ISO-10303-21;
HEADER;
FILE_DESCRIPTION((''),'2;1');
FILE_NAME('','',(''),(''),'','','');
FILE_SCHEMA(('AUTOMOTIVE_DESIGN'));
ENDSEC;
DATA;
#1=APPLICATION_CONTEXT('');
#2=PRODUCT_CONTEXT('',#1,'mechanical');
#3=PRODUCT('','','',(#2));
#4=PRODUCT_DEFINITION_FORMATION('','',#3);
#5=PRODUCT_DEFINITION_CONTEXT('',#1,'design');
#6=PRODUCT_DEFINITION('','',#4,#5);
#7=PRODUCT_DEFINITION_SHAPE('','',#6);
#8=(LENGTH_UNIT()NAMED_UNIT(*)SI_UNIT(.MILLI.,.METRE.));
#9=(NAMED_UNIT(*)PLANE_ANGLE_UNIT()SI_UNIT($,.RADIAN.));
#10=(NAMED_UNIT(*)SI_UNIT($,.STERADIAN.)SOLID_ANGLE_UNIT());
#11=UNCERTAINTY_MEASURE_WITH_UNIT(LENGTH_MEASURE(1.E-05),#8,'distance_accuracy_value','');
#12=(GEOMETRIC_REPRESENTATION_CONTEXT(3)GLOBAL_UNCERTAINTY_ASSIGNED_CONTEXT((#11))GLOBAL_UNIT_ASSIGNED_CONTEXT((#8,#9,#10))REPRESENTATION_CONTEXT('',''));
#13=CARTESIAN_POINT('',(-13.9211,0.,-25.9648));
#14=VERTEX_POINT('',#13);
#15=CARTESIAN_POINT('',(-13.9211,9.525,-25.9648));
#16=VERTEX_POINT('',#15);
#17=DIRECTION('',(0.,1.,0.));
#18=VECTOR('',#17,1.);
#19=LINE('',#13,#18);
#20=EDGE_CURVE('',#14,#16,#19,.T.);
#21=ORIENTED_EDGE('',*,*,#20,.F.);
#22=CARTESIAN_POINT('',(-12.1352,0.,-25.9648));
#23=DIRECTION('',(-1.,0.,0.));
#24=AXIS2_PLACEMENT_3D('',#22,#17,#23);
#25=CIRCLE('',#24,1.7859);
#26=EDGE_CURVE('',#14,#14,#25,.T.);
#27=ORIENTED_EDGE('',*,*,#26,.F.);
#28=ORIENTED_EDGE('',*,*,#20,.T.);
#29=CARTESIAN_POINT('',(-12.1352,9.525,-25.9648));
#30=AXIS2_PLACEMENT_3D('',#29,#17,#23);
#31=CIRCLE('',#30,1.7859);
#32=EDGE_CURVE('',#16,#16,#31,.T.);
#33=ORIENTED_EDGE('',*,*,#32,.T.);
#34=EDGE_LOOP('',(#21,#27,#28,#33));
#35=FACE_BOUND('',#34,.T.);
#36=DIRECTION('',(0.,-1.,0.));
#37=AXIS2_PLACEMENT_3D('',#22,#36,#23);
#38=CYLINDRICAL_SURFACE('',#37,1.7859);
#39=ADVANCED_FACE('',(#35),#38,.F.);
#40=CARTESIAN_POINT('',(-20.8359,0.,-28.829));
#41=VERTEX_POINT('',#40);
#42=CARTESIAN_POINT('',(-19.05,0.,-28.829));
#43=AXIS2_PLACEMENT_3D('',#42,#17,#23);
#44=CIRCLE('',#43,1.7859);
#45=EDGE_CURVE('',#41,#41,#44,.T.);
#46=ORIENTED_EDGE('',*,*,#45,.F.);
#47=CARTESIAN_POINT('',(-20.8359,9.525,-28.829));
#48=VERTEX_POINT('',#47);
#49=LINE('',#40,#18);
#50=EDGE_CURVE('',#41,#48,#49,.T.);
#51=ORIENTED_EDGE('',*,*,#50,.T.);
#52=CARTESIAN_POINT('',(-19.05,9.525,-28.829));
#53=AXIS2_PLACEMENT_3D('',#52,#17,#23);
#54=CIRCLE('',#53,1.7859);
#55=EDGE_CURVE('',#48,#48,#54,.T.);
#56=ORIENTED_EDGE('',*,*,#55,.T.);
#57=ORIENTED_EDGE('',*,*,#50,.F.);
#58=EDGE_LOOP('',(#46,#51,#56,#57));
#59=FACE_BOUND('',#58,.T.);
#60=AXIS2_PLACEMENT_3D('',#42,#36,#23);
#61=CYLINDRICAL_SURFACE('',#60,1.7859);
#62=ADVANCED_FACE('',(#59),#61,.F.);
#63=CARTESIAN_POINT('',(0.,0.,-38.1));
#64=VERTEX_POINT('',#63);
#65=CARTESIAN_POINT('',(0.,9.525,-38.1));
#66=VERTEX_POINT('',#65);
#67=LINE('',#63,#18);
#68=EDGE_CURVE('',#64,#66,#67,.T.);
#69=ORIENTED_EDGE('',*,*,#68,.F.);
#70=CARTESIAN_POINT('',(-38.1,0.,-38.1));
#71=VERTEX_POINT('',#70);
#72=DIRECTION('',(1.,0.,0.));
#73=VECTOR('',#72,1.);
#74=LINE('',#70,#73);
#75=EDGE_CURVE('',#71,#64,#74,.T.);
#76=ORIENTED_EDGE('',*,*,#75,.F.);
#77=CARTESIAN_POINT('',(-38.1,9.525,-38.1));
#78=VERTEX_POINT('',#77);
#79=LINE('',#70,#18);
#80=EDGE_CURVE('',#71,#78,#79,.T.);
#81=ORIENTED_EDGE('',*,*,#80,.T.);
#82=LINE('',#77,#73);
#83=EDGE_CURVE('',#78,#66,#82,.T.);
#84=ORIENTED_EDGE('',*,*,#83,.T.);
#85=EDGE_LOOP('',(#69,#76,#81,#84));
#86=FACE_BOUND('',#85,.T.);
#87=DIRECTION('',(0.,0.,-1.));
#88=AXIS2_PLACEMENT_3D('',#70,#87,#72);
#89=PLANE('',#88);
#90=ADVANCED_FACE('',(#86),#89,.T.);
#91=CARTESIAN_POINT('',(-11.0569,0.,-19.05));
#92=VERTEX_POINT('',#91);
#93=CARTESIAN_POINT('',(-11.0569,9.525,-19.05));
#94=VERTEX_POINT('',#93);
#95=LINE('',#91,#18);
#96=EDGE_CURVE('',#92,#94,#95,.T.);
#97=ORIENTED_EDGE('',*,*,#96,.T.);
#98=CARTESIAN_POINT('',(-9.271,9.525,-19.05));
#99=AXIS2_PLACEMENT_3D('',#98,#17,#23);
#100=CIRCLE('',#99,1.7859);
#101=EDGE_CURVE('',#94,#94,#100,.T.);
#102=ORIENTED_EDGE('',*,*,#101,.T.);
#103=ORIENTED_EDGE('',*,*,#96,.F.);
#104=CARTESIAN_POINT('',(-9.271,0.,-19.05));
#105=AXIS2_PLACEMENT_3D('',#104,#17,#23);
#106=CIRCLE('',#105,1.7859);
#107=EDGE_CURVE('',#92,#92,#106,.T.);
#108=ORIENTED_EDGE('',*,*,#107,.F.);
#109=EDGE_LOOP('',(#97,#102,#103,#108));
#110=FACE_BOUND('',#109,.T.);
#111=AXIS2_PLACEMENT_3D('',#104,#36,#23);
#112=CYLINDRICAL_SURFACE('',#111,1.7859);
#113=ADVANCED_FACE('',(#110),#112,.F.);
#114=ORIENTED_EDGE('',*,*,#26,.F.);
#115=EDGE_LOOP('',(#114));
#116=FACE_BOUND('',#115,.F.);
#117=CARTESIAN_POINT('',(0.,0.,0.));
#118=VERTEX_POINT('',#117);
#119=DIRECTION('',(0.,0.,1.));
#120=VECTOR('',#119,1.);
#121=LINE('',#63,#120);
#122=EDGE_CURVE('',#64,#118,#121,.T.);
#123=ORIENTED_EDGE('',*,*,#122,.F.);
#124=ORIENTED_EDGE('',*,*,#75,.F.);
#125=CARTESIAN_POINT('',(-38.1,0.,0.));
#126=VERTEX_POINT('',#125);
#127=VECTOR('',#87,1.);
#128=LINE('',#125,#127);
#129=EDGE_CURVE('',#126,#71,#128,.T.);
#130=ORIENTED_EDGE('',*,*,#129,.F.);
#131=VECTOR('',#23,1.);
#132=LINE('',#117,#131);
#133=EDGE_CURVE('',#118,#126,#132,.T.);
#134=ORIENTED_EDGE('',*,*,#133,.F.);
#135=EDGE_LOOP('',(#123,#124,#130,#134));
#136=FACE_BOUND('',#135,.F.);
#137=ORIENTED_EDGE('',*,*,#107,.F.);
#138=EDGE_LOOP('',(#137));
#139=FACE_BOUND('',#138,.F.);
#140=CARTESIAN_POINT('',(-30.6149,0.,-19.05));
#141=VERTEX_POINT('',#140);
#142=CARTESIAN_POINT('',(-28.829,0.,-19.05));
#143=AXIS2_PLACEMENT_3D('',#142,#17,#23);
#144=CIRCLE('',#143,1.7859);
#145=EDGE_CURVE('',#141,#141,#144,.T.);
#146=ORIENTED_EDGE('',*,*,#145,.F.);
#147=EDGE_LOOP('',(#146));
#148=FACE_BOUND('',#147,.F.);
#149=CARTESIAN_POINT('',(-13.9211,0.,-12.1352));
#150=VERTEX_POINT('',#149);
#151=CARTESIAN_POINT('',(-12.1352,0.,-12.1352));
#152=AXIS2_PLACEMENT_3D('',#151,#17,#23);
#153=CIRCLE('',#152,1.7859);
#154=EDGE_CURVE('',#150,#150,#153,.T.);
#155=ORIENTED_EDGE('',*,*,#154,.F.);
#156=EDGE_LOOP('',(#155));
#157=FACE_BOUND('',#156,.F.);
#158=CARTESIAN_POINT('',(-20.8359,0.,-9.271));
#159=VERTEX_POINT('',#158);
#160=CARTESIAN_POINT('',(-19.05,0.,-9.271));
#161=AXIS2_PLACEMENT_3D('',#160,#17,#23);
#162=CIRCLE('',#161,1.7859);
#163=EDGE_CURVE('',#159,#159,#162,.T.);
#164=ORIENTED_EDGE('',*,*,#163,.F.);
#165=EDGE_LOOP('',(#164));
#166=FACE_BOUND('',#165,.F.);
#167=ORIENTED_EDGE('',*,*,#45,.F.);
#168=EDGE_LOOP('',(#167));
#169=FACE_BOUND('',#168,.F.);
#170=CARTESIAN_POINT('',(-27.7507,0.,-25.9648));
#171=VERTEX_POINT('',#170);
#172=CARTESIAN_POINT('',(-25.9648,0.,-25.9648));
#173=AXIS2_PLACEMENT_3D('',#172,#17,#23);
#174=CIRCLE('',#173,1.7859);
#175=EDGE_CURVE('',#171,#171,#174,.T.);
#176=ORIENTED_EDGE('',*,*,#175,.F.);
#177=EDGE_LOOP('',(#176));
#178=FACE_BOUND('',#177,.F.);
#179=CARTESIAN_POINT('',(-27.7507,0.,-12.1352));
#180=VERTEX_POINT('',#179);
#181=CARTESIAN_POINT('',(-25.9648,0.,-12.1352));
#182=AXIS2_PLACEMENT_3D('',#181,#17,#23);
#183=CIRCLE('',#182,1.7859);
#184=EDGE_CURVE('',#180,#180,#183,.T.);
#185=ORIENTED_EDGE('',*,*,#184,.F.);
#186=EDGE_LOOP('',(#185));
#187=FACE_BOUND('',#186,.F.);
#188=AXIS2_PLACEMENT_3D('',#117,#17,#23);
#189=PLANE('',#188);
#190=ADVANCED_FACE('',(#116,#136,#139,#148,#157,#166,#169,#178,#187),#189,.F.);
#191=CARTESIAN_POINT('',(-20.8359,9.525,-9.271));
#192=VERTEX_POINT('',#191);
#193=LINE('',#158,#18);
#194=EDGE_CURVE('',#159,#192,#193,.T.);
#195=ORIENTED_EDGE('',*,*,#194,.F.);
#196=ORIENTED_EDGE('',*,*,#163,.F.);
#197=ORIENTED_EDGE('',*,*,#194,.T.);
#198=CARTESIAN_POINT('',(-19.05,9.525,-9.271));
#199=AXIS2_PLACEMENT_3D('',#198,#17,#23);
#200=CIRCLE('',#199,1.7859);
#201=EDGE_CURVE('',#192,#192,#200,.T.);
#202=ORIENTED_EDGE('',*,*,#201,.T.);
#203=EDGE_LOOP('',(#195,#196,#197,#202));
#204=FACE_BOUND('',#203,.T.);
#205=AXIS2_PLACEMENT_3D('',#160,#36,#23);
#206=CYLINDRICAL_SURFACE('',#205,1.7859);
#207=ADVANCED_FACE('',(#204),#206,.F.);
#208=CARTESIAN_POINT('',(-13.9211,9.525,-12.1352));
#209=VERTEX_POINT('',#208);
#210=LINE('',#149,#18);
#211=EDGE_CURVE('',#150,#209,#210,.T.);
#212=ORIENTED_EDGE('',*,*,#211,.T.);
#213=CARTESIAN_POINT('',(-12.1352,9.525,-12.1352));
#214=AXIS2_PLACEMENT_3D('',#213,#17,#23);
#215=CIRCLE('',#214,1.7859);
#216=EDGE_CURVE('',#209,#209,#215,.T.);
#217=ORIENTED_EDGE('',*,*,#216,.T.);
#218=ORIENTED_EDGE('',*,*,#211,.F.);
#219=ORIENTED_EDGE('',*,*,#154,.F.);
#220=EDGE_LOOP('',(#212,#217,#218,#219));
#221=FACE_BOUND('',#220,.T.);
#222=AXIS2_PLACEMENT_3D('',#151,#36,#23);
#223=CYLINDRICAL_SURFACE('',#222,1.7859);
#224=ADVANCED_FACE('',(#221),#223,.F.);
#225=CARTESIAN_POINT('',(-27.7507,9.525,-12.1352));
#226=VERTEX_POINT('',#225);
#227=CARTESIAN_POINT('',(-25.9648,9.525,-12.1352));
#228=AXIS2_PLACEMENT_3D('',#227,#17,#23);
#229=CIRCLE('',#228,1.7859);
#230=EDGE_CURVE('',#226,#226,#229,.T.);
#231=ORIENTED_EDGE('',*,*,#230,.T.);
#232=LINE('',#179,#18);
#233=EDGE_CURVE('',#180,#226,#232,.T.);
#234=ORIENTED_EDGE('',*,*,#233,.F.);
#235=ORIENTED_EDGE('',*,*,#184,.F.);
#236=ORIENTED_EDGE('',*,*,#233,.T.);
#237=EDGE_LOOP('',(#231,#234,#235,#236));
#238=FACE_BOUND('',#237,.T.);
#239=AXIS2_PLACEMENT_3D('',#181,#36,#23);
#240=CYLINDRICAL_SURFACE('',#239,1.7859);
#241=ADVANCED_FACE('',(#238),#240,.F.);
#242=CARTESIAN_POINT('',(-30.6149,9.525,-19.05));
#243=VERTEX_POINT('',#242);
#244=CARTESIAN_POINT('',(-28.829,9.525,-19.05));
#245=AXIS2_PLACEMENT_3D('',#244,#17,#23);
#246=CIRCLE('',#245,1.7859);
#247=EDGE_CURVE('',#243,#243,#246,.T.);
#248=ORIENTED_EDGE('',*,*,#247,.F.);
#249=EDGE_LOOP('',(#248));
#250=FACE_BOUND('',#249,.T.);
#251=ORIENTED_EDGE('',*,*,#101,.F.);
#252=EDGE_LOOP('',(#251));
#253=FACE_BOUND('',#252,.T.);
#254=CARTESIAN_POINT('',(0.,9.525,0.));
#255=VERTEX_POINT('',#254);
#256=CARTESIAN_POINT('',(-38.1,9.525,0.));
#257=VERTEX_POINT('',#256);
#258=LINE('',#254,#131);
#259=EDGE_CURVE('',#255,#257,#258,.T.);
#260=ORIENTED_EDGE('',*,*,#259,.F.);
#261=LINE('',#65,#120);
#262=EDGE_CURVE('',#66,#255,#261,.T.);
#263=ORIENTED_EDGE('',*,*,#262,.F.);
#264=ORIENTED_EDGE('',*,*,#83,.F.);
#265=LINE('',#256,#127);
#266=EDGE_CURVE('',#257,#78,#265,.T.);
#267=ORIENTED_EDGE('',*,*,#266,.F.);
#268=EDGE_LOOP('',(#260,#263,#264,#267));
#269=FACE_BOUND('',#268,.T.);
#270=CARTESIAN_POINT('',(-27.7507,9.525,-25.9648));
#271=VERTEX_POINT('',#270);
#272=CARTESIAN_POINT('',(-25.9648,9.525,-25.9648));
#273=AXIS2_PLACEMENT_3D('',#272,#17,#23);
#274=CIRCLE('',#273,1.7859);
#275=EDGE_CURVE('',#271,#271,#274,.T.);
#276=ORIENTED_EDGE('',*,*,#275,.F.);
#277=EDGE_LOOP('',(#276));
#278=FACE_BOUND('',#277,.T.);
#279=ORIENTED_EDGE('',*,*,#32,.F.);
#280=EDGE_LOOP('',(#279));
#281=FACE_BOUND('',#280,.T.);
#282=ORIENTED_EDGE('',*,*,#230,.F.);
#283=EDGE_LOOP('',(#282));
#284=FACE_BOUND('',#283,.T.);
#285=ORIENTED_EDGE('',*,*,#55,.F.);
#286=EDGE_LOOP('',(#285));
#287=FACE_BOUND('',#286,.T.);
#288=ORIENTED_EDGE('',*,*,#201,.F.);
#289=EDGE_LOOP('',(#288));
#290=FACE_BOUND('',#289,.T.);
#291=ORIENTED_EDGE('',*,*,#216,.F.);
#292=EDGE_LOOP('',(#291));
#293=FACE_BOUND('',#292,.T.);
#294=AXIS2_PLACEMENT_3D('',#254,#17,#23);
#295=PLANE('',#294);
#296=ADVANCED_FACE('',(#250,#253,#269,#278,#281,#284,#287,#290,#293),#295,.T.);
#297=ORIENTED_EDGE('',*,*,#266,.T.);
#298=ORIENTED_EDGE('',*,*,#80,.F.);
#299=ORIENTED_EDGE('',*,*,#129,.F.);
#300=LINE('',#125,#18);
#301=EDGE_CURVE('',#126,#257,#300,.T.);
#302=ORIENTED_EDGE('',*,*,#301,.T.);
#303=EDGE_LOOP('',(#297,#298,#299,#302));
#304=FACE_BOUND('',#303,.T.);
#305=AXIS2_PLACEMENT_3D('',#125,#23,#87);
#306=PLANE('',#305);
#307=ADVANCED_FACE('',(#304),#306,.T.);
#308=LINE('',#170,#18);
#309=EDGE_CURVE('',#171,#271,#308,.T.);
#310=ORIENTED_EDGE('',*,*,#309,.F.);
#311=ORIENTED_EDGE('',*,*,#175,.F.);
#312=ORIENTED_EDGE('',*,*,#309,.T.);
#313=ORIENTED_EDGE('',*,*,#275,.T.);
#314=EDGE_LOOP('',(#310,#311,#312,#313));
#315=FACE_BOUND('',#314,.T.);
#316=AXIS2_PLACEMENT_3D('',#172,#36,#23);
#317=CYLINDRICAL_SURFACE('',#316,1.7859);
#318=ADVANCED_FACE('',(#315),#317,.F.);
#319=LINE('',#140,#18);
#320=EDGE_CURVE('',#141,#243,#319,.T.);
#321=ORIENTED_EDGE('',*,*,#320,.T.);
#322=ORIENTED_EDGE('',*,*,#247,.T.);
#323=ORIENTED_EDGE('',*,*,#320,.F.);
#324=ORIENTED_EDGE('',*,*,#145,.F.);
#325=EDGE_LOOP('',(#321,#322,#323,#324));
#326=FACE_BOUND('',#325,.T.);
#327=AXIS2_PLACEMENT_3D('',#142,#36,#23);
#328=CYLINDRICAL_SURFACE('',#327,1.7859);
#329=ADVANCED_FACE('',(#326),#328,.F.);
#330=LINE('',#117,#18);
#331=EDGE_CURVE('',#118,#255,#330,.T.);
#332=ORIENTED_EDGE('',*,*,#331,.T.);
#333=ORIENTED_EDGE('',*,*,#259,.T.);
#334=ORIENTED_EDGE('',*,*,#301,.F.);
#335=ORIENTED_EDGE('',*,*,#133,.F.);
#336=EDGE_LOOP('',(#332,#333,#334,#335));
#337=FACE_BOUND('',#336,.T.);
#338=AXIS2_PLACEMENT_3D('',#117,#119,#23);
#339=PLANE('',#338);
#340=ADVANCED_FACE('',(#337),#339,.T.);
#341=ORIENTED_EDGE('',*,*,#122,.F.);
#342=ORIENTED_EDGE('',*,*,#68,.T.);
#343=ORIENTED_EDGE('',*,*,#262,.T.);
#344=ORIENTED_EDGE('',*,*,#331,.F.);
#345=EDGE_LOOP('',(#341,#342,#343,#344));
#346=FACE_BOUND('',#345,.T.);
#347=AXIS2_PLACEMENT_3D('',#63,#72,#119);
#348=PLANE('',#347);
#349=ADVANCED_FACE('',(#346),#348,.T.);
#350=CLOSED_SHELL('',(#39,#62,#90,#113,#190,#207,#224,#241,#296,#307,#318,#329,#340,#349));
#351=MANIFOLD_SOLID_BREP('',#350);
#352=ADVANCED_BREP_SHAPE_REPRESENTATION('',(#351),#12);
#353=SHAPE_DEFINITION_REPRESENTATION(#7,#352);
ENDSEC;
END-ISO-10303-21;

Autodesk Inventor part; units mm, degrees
ref_plane "YZ Plane" through (0, 0, 0) normal (1, 0, 0) x (0, 1, 0)
ref_plane "XZ Plane" through (0, 0, 0) normal (0, 1, 0) x (-1, 0, 0)
ref_plane "XY Plane" through (0, 0, 0) normal (0, 0, 1) x (1, 0, 0)
sketch "Sketch1" plane through (0, 0, 0) normal (0, 1, 0) x (-1, 0, 0)
  line L0 (0, 0) -> (38.1, 0)
  line L1 (38.1, 0) -> (38.1, -38.1)
  line L2 (38.1, -38.1) -> (0, -38.1)
  line L3 (0, -38.1) -> (0, 0)
  circle A0 centre (28.829, -19.05) radius 1.7859
  circle A1 centre (9.271, -19.05) radius 1.7859
  circle A2 centre (19.05, -28.829) radius 1.7859
  circle A3 centre (19.05, -9.271) radius 1.7859
  circle A4 centre (12.1352, -12.1352) radius 1.7859
  circle A5 centre (12.1352, -25.9648) radius 1.7859
  circle A6 centre (25.9648, -25.9648) radius 1.7859
  circle A7 centre (25.9648, -12.1352) radius 1.7859
  dimension "d0" = 38.1
  dimension "d1" = 38.1
  dimension "d3" = 3.5719
  dimension "d4" = 3.5719
  dimension "d5" = 3.5719
  dimension "d6" = 3.5719
  dimension "d8" = 3.5719
  dimension "d9" = 3.5719
  dimension "d10" = 3.5719
  dimension "d11" = 3.5719
extrude "Extrusion1" add sketch "Sketch1" along normal blind 9.525
